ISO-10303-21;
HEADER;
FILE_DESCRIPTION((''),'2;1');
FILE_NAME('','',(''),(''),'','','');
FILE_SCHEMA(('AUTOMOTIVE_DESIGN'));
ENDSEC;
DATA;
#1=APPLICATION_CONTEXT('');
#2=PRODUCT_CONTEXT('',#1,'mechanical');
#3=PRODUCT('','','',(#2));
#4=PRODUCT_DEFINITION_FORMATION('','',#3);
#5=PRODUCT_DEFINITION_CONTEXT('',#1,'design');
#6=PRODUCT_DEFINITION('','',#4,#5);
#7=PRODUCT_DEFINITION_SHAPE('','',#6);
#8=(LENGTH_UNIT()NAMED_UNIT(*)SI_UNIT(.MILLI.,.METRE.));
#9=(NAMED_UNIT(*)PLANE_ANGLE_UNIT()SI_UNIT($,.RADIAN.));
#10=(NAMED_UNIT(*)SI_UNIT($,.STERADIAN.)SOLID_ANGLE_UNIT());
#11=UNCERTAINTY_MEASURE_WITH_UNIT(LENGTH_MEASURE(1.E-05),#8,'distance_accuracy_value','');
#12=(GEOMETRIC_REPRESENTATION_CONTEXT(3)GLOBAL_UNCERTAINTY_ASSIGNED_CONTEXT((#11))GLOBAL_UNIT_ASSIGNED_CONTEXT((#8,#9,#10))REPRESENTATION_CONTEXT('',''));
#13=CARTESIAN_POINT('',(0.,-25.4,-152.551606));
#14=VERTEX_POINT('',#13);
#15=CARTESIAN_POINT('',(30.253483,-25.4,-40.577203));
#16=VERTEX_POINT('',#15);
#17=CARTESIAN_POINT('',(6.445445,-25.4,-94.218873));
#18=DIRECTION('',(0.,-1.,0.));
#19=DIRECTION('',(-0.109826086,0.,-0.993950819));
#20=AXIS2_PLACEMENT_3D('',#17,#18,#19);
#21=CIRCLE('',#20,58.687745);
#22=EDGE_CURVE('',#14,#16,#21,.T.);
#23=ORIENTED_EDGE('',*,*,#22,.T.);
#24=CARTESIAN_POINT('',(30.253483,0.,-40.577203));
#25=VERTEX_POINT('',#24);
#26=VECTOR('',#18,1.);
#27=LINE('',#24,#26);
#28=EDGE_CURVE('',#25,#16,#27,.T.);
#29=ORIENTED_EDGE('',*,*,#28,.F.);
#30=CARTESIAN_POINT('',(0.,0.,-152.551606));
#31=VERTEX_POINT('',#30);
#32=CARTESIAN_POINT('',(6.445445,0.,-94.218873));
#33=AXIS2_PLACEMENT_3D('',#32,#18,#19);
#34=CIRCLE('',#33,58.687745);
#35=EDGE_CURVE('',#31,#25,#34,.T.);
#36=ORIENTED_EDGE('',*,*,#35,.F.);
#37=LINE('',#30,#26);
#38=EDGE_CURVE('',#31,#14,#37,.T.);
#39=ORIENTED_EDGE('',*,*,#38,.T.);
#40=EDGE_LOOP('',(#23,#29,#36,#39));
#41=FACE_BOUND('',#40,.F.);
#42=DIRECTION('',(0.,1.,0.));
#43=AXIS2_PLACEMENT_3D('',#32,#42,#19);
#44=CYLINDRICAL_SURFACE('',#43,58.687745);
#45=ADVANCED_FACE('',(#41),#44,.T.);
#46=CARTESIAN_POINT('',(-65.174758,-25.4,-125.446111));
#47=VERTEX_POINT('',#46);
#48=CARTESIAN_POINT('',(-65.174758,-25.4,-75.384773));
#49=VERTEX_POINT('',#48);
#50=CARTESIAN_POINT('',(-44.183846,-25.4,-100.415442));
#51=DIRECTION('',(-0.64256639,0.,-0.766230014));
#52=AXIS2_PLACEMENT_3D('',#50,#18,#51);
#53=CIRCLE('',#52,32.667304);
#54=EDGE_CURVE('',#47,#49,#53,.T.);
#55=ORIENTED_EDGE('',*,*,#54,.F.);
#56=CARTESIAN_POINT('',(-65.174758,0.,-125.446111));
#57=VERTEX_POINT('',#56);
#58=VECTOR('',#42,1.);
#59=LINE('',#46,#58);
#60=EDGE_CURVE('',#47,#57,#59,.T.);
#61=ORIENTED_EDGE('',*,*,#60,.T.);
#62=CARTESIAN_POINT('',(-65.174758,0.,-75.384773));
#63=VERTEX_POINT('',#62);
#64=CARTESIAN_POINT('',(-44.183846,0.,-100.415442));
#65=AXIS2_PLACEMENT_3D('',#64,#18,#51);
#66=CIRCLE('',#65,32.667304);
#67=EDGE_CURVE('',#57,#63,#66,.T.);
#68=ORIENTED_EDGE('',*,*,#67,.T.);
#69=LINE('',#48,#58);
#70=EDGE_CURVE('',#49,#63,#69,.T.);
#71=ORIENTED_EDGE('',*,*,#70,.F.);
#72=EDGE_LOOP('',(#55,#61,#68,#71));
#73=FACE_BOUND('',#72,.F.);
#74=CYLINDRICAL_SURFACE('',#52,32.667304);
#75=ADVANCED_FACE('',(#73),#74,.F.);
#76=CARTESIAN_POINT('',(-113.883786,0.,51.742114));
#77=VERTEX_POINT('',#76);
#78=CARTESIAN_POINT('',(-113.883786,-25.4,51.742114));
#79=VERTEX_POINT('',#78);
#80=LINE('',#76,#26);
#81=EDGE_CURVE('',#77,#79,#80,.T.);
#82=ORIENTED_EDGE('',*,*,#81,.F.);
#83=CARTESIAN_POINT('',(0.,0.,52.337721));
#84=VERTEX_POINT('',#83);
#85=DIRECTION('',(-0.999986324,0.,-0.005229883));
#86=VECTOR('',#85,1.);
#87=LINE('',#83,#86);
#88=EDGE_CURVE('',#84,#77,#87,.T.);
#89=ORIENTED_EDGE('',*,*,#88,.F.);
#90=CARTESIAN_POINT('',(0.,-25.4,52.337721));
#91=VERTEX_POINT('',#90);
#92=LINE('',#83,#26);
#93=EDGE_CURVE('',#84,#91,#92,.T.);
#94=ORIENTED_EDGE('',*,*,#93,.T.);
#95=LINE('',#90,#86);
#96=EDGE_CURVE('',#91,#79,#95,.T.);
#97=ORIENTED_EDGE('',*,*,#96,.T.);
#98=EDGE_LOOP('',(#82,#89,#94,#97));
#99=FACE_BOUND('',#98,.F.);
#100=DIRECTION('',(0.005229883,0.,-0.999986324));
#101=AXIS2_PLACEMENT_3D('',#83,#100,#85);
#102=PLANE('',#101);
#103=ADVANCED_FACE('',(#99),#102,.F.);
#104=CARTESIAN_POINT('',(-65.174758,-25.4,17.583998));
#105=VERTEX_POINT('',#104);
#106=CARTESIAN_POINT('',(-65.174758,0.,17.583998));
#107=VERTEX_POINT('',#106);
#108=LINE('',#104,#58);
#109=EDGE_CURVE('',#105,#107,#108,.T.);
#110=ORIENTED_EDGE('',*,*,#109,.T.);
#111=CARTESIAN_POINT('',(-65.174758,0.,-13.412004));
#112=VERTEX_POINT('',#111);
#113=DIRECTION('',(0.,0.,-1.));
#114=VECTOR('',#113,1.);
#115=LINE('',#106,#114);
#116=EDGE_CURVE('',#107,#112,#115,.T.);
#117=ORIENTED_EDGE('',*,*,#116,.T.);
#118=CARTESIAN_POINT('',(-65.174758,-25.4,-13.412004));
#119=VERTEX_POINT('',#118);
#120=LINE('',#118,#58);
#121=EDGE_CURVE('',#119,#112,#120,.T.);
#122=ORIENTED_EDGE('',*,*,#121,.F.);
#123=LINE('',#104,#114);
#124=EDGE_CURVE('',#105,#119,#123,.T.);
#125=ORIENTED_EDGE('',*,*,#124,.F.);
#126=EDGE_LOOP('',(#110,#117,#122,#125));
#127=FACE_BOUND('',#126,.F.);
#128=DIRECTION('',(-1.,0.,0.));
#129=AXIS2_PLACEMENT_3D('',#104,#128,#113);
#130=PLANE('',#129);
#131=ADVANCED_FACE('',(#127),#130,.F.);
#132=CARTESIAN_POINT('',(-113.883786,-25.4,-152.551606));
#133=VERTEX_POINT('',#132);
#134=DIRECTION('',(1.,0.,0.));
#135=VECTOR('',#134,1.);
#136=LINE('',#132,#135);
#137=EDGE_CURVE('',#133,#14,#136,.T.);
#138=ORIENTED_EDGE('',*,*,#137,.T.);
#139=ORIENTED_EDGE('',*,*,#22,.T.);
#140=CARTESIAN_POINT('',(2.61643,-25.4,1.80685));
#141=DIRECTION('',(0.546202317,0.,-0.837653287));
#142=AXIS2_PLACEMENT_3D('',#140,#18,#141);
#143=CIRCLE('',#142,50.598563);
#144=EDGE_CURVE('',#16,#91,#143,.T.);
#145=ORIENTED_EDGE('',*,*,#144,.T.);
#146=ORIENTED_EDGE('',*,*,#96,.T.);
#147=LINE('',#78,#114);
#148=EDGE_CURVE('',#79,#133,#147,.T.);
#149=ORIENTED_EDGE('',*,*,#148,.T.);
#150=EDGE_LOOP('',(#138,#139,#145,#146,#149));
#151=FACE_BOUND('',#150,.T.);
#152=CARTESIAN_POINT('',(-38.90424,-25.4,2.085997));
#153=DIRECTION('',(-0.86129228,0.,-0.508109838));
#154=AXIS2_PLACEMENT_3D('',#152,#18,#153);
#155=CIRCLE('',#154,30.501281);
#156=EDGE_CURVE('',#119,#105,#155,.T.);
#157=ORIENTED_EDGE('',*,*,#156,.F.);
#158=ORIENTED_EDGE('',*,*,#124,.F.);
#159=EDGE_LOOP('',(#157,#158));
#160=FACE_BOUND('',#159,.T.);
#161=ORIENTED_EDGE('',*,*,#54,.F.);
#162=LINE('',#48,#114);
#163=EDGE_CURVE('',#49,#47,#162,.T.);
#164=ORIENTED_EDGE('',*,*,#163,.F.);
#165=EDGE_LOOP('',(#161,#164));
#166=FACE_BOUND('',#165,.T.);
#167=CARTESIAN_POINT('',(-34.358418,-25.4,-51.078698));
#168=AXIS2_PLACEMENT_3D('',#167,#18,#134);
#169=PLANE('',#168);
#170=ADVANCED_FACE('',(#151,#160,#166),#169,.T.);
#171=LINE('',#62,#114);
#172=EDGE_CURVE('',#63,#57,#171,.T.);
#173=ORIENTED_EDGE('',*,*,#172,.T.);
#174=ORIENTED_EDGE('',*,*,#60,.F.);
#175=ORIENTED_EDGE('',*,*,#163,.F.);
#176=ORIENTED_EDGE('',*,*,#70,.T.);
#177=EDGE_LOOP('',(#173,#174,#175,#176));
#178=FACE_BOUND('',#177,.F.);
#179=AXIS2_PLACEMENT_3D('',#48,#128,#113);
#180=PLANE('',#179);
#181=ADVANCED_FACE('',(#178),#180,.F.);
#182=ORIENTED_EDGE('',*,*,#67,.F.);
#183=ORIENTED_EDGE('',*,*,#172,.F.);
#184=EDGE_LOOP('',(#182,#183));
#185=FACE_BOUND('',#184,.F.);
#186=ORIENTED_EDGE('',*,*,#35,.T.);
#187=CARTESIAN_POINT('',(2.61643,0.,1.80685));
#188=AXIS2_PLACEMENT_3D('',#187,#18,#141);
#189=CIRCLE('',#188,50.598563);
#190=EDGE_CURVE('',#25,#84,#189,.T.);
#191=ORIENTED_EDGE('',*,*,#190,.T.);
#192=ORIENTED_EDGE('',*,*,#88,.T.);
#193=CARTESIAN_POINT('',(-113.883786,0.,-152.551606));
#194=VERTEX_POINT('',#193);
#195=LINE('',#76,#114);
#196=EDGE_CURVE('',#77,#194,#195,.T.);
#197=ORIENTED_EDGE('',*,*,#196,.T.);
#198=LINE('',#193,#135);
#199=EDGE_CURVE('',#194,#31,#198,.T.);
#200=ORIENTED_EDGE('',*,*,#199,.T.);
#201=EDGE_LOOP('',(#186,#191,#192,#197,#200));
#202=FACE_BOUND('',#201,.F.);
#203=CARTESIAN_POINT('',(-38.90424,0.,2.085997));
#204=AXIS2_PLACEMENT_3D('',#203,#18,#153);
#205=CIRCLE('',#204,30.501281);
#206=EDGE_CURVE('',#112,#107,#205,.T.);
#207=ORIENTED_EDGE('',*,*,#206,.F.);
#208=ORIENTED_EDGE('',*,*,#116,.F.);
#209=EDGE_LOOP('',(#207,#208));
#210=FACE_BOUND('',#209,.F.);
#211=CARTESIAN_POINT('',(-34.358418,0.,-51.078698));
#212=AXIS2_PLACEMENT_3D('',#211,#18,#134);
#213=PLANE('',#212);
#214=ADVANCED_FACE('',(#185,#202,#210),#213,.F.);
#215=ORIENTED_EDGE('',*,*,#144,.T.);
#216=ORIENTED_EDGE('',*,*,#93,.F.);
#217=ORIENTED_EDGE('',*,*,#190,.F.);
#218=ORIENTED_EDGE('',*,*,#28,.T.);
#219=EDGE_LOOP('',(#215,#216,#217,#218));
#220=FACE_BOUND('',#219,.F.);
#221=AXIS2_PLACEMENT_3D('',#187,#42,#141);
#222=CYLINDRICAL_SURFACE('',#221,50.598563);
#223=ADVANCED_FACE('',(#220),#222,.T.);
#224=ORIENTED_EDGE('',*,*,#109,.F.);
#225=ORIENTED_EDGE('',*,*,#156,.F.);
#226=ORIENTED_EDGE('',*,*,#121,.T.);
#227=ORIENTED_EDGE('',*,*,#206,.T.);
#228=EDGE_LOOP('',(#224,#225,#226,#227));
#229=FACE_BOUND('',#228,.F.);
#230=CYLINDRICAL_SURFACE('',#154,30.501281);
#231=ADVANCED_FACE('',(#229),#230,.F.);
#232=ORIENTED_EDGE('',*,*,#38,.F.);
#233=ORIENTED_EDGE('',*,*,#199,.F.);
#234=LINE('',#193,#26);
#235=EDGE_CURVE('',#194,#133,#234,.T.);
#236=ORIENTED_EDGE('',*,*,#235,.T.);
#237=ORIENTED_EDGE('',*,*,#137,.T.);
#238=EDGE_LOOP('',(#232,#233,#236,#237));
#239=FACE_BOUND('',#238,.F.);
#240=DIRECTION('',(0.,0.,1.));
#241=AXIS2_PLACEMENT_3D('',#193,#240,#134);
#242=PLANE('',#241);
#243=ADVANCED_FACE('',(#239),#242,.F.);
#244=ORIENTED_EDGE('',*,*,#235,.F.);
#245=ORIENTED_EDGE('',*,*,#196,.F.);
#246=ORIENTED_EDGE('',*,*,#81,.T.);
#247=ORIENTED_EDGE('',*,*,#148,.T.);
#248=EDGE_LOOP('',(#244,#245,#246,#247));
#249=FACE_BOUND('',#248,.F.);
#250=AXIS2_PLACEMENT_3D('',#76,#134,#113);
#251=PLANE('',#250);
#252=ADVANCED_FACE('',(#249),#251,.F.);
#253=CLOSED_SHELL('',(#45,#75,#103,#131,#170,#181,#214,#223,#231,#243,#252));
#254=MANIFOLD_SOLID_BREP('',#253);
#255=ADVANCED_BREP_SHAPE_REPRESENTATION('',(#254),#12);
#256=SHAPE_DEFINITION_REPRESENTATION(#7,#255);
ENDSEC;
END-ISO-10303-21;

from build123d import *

# Parameters (mm, degrees)
F1_DEPTH = 25.4
F3_DEPTH = 25.4


with BuildPart() as f1:
    # F0 (on Front) → F1 (new body)
    with BuildSketch(Plane.XZ):
        with BuildLine():
            Line((0, 52.337721), (-113.883786, 51.742114))
            Line((-113.883786, 51.742114), (-113.883786, -152.551606))
            Line((-113.883786, -152.551606), (0, -152.551606))
            ThreePointArc((0, -152.551606), (63.101704, -109.526382), (30.253483, -40.577203))
            ThreePointArc((30.253483, -40.577203), (50.728837, 17.472448), (0, 52.337721))
        make_face()
    extrude(amount=F1_DEPTH)

    # F2 (on face) → F3 (cut)
    with BuildSketch(Plane.XZ.offset(25.4)):
        with BuildLine():
            ThreePointArc((-65.174758, -13.412004), (-8.402959, 2.085997), (-65.174758, 17.583998))
            Line((-65.174758, 17.583998), (-65.174758, -13.412004))
        make_face()
        with BuildLine():
            ThreePointArc((-65.174758, -125.446111), (-11.516542, -100.415442), (-65.174758, -75.384773))
            Line((-65.174758, -75.384773), (-65.174758, -125.446111))
        make_face()
    extrude(amount=-F3_DEPTH, mode=Mode.SUBTRACT)


solid = f1.part
